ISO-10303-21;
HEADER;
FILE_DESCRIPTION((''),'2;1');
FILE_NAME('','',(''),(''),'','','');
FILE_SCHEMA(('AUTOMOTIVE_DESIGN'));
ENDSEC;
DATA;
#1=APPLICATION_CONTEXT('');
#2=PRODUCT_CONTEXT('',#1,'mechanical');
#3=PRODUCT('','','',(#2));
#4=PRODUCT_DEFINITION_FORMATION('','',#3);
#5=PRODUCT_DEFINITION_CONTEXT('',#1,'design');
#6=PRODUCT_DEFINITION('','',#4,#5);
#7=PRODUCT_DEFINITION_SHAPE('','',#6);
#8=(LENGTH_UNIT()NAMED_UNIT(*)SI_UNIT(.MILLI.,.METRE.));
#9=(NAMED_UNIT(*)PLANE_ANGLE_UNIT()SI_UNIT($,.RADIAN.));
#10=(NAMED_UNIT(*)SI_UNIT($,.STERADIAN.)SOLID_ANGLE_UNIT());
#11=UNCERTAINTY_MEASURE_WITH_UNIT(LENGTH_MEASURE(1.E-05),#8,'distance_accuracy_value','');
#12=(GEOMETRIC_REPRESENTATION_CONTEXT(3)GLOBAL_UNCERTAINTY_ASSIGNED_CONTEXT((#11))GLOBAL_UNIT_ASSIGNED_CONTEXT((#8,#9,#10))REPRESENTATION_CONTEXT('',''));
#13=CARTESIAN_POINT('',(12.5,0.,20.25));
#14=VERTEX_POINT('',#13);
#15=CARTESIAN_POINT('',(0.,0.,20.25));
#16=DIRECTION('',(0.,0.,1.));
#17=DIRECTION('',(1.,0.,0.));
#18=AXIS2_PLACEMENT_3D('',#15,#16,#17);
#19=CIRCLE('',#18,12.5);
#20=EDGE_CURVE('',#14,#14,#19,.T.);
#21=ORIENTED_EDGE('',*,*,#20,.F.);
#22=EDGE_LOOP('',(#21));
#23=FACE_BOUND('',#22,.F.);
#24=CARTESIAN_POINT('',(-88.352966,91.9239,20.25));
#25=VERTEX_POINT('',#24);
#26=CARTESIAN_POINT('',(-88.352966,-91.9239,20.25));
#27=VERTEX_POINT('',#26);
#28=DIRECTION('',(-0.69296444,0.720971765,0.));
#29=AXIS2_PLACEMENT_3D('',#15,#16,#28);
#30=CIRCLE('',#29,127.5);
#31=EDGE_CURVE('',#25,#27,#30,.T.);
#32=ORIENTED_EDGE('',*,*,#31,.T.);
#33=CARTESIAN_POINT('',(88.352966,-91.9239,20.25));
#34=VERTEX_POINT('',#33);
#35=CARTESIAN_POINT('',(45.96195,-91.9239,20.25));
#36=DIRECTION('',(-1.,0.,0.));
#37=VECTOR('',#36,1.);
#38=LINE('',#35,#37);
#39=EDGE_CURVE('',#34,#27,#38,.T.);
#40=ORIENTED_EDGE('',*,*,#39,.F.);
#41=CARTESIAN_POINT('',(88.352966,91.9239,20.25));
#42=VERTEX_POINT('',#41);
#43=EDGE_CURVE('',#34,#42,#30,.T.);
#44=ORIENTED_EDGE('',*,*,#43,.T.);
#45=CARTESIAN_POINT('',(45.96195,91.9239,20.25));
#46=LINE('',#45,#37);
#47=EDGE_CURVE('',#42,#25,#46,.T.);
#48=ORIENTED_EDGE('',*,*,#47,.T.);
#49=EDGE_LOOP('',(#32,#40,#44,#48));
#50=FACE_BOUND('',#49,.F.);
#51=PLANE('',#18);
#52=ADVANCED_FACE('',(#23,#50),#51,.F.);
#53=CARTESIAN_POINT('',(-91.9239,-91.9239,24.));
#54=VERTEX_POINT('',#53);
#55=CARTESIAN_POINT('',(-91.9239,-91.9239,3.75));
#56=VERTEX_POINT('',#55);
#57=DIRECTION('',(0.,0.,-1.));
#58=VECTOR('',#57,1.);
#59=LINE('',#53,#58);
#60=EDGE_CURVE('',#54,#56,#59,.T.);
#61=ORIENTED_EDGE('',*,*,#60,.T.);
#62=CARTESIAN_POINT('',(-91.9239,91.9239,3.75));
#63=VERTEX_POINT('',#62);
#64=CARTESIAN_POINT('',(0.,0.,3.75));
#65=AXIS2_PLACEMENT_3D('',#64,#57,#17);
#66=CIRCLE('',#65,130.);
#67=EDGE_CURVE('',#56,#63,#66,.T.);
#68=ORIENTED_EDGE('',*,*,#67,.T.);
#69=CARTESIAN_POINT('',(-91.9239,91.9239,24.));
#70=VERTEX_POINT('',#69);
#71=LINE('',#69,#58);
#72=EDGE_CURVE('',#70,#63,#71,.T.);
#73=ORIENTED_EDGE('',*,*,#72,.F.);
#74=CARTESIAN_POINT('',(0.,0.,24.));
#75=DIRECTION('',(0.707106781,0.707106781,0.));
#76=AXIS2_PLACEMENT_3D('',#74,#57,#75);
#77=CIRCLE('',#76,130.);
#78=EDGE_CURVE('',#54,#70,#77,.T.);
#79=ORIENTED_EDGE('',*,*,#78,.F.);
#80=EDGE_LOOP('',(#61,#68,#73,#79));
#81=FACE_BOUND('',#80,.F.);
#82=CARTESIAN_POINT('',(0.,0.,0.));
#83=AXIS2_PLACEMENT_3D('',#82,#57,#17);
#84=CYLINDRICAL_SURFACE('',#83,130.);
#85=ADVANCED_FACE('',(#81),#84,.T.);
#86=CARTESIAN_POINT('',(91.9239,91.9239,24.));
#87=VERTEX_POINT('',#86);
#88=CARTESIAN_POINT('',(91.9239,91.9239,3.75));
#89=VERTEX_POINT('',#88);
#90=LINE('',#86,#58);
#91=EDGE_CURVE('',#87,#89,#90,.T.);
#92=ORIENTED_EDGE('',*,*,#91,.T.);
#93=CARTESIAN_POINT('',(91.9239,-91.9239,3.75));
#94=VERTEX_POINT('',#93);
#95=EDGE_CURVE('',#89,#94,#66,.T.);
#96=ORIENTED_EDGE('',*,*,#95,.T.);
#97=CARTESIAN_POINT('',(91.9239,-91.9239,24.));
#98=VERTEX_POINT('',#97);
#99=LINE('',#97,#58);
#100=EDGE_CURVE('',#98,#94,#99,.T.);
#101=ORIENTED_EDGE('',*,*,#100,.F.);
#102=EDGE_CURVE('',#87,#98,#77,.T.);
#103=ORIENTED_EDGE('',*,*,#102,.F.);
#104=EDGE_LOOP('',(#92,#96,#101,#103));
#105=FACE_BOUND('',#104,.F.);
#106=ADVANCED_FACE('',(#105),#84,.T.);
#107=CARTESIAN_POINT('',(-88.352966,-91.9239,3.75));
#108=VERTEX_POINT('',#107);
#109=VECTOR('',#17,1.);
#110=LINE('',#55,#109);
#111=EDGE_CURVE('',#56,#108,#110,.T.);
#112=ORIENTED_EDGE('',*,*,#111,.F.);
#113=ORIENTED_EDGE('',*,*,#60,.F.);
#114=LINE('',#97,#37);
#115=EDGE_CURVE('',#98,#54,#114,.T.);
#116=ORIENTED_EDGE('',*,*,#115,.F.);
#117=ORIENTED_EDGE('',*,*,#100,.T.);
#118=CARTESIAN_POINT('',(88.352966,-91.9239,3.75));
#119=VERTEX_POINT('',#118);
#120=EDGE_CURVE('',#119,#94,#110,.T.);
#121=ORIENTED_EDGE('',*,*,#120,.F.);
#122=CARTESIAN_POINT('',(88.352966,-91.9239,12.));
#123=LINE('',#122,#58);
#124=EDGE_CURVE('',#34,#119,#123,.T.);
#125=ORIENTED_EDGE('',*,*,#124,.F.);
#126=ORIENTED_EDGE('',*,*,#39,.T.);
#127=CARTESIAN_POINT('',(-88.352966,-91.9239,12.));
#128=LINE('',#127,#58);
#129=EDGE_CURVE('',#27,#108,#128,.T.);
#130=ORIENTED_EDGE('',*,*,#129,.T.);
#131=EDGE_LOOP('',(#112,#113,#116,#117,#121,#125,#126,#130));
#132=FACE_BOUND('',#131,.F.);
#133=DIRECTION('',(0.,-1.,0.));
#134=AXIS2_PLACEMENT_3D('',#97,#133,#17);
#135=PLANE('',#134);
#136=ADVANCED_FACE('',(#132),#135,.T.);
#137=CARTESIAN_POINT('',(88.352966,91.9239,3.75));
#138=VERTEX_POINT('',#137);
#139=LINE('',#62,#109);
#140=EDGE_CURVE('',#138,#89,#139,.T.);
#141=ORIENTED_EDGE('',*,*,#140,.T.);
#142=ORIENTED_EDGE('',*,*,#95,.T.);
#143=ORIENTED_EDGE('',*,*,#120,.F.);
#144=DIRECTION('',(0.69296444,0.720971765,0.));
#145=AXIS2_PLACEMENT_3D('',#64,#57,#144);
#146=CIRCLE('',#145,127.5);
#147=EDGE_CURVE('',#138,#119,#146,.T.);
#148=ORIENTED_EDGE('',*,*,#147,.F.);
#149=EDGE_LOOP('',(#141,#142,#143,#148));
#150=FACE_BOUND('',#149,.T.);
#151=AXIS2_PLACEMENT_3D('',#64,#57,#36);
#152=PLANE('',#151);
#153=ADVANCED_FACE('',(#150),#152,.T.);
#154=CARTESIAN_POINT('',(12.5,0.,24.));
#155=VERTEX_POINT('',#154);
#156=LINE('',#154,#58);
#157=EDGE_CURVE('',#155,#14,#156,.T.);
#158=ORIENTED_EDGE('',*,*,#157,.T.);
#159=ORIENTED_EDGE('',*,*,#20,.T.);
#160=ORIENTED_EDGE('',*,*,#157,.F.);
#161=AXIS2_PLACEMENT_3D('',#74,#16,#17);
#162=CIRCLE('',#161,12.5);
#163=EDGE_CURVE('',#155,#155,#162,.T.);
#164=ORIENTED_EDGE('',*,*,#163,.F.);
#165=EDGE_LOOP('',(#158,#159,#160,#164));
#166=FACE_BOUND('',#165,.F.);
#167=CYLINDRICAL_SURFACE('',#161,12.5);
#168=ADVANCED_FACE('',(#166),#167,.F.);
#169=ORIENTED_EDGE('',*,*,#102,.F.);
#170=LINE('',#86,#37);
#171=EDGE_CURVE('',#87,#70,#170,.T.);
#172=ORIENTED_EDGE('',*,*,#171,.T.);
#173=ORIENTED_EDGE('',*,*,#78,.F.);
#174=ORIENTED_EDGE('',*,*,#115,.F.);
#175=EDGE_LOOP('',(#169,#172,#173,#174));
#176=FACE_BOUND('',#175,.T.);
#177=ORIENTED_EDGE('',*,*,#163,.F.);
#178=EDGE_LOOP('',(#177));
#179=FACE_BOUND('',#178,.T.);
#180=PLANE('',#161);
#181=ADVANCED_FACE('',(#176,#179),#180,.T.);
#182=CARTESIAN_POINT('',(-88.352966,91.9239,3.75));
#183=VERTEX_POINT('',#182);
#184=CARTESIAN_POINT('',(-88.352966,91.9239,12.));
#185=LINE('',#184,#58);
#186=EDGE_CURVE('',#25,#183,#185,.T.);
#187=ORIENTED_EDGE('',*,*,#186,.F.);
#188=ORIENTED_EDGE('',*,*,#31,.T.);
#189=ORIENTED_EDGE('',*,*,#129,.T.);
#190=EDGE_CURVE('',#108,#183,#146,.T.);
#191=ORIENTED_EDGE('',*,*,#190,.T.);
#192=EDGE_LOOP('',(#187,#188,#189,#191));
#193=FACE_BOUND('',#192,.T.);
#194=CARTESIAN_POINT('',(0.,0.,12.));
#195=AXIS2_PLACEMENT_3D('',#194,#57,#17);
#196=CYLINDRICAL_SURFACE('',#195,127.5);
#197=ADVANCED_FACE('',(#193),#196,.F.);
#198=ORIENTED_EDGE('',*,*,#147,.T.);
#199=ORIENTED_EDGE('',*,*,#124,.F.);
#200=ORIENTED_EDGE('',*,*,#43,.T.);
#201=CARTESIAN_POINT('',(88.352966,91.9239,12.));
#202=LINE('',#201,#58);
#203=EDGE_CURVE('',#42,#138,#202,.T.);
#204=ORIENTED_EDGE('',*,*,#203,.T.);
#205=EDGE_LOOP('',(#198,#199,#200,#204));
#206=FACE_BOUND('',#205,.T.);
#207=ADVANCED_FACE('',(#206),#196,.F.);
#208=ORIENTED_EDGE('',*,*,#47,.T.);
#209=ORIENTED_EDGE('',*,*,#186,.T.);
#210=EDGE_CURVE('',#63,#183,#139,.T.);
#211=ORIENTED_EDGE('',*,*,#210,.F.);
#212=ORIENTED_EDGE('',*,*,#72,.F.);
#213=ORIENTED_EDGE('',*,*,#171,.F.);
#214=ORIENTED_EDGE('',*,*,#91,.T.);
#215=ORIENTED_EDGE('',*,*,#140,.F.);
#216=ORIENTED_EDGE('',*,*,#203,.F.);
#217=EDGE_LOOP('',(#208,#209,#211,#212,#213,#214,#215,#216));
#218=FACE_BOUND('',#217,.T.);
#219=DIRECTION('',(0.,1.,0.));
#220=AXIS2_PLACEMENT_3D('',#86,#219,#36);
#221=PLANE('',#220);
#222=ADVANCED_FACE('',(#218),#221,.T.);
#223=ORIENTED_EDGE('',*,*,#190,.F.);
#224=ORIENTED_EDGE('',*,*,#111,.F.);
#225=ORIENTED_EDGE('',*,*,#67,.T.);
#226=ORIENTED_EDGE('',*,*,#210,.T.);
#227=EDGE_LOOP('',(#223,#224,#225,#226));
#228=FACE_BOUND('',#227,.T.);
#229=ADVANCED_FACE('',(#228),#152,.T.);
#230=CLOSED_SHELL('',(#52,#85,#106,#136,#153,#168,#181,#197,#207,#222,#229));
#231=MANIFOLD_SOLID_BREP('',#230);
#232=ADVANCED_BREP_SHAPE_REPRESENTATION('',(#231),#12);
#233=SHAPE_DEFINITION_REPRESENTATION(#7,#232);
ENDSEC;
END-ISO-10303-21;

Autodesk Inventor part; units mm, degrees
ref_plane "YZ Plane" through (0, 0, 0) normal (1, 0, 0) x (0, 1, 0)
ref_plane "XZ Plane" through (0, 0, 0) normal (0, 1, 0) x (-1, 0, 0)
sketch "Sketch1" plane through (0, 0, 0) normal (0, 0, 1) x (1, 0, 0)
  circle A0 centre (0, 0) radius 130
  dimension "d0" = 260
extrude "Extrusion1" add sketch "Sketch1" along normal blind 24
ref_plane "Work Plane1" through (0, 0, 12) normal (0, 0, 1) x (1, 0, 0)
sketch "Sketch3" plane through (0, 0, 12) normal (0, 0, 1) x (1, 0, 0)
  circle A0 centre (0, 0) radius 127.5
  dimension "d4" = 255
extrude "Extrusion2" cut sketch "Sketch3" along normal mid plane 16.5
sketch "Sketch4" plane through (0, 0, 24) normal (0, 0, 1) x (1, 0, 0)
  circle A0 centre (0, 0) radius 12.5
  dimension "d7" = 25
extrude "Extrusion3" cut sketch "Sketch4" against normal blind 5
sketch "Sketch5" plane through (0, 0, 24) normal (0, 0, 1) x (1, 0, 0)
  line L0 (0, 0) -> (91.9239, 91.9239)
  circle A0 centre (0, 0) radius 130 projected
  line L1 (0, 0) -> (130, 0) construction
  line L2 (91.9239, 91.9239) -> (-91.9239, 91.9239)
  arc A1 (91.9239, 91.9239) -> (-91.9239, 91.9239) centre (0, 0) ccw
  dimension "d10" = 45
extrude "Extrusion4" cut sketch "Sketch5" against normal through all contours L2 A0 picked at (-17.7846, 107.7382)
mirror "Mirror1" about plane through (0, 0, 0) normal (0, 1, 0) of "Extrusion4"
sketch "Sketch8" plane through (0, 0, 0) normal (0, 0, -1) x (-1, 0, 0)
  line L0 (91.9239, 91.9239) -> (-91.9239, 91.9239) projected
  line L1 (-91.9239, 91.9239) -> (91.9239, 91.9239)
  arc A0 (91.9239, -91.9239) -> (91.9239, 91.9239) centre (0, 0) ccw projected
  arc A1 (91.9239, -91.9239) -> (91.9239, 91.9239) centre (91.9239, 0) ccw
  line L2 (91.9239, -91.9239) -> (-91.9239, -91.9239)
  arc A2 (-91.9239, 91.9239) -> (-91.9239, -91.9239) centre (0, 0) ccw projected
  arc A3 (-91.9239, 91.9239) -> (-91.9239, -91.9239) centre (-91.9239, 0) ccw
  dimension "d15" = 183.8478
  dimension "d16" = 183.8478
extrude "Extrusion5" cut sketch "Sketch8" against normal blind 3.75
sketch "Sketch9" plane through (-91.9239, 91.9239, 24) normal (0, 1, 0) x (1, 0, 0)
  point P0 (91.9239, 24)
properties part number "Gear Container"
